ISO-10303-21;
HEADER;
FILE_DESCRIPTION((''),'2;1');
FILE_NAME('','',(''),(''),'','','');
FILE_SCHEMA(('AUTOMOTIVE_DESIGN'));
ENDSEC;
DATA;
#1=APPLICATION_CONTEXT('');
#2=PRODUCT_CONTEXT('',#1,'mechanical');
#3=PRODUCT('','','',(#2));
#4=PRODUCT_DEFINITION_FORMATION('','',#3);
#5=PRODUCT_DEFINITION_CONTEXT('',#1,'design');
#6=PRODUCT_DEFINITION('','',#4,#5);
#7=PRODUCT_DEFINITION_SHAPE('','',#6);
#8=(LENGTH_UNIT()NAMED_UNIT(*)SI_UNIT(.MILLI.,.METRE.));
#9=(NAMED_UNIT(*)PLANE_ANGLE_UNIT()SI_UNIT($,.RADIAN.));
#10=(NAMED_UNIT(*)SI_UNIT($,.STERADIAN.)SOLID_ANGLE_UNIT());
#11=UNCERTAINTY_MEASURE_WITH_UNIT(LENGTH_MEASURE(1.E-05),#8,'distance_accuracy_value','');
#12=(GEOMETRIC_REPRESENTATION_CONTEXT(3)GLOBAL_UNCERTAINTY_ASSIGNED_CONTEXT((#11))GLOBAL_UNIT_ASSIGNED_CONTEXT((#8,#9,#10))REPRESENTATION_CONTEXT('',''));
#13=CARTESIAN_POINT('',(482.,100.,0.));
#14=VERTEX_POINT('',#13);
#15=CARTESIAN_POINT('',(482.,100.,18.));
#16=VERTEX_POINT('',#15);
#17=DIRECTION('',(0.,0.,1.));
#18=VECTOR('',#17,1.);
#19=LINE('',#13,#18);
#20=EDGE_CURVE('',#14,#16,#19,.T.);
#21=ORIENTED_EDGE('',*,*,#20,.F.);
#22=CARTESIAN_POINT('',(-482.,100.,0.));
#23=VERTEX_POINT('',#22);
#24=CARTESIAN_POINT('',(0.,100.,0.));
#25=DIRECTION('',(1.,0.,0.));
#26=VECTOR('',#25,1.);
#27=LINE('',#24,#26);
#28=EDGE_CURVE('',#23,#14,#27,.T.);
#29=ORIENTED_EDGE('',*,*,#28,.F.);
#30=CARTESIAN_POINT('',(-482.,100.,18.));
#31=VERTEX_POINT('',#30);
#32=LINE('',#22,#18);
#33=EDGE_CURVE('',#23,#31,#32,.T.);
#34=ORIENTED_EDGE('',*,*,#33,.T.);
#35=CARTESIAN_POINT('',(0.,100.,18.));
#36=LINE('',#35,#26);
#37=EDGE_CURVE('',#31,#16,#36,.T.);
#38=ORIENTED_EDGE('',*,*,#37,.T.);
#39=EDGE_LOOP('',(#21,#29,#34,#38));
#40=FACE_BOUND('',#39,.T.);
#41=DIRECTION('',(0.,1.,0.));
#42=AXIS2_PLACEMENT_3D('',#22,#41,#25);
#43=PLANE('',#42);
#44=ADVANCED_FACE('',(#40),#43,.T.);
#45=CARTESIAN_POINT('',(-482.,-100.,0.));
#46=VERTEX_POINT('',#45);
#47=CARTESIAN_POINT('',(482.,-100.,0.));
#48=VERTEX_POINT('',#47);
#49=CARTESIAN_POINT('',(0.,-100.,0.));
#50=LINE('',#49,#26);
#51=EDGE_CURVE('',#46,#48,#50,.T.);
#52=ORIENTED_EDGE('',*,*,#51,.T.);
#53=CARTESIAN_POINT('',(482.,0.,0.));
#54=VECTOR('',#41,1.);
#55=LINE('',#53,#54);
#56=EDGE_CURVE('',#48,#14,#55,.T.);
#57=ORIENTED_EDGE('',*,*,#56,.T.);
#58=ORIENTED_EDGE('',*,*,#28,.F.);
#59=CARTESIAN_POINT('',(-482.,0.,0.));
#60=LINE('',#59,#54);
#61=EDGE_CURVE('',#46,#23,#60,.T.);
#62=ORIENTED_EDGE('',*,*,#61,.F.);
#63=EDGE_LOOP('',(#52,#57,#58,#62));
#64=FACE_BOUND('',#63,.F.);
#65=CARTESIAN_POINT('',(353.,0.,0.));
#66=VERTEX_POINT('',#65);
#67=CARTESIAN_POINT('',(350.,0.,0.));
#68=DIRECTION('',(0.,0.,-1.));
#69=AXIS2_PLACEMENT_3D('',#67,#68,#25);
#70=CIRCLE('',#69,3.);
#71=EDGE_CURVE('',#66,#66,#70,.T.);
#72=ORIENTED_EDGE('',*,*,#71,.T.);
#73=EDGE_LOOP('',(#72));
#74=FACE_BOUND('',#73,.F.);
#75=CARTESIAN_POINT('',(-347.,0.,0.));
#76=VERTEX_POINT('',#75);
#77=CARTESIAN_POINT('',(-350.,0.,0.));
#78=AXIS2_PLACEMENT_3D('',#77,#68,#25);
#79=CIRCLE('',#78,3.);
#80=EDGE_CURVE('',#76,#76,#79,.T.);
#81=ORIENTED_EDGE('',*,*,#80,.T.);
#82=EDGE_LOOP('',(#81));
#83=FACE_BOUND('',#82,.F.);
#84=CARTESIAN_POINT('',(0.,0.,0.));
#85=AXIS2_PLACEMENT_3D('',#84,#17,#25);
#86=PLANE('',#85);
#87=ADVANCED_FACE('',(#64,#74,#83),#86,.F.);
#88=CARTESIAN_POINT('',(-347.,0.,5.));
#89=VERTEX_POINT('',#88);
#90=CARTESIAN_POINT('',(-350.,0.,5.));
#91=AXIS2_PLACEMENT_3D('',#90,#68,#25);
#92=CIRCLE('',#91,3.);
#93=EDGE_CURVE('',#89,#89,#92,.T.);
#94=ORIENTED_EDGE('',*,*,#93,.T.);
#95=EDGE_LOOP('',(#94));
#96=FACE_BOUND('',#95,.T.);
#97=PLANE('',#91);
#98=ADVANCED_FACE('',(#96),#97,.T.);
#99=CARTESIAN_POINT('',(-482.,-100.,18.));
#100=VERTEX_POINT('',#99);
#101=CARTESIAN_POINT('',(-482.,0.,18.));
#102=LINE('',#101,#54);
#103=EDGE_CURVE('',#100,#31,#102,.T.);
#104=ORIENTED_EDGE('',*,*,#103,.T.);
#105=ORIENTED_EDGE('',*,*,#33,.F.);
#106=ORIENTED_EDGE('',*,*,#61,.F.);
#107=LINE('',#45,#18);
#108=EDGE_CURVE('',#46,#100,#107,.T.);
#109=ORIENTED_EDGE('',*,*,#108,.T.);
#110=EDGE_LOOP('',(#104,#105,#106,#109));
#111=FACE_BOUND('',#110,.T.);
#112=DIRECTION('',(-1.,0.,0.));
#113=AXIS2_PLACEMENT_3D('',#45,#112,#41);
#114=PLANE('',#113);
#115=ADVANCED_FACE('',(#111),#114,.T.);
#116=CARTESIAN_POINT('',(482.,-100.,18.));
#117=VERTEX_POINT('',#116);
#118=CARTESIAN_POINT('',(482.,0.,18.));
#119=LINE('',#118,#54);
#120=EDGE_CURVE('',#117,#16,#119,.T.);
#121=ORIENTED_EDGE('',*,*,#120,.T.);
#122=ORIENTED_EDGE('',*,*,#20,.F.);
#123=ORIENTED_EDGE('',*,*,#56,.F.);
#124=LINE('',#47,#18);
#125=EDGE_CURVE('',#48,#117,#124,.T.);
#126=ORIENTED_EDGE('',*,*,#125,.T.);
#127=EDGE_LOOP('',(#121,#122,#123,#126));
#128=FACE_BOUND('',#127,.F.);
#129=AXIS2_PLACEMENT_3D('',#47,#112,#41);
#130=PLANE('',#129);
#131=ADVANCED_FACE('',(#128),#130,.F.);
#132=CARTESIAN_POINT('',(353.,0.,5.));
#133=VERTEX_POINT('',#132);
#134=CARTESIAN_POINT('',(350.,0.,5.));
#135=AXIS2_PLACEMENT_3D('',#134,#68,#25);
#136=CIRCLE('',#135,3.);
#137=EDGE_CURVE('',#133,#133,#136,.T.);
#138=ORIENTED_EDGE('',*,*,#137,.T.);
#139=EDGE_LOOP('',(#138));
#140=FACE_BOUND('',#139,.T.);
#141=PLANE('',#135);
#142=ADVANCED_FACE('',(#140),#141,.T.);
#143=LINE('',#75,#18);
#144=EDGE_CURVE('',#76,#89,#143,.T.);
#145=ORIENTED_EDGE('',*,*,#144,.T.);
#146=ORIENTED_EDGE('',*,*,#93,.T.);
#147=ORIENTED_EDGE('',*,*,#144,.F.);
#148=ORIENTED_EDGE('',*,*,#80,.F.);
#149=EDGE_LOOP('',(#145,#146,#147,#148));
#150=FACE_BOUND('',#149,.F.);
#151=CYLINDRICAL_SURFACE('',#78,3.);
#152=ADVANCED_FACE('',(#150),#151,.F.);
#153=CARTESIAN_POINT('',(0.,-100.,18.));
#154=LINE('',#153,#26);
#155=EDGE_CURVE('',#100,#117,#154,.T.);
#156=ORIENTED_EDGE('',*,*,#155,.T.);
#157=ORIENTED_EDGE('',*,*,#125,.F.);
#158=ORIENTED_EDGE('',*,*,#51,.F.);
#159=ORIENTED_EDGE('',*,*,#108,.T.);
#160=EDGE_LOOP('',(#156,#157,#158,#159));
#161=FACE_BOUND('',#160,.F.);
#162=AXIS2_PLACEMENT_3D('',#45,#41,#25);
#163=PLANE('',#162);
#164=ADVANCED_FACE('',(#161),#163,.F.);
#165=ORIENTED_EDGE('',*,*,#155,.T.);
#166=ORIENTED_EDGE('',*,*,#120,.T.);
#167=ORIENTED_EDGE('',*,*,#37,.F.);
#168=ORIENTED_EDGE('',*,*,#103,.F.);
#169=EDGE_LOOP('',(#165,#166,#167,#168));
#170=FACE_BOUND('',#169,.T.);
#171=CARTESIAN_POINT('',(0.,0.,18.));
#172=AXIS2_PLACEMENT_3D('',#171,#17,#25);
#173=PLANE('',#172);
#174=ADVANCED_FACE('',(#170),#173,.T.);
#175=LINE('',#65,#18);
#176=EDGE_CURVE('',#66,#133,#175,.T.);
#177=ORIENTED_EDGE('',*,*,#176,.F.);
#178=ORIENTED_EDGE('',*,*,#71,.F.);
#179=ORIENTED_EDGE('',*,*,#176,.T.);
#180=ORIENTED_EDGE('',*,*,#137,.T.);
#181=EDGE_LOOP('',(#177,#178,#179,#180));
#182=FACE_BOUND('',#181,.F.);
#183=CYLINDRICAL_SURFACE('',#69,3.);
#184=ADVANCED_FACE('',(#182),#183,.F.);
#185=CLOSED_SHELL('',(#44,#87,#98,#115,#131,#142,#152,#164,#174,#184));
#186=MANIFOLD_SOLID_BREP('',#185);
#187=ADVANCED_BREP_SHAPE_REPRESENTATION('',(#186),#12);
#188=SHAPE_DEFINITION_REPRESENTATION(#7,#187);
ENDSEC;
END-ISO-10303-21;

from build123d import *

# Parameters (mm, degrees)
F0_W     = 964
F0_H     = 200
F1_DEPTH = 18
F2_R     = 3
F3_DEPTH = 5


with BuildPart() as f1:
    # F0 (on Top) → F1 (new body)
    with BuildSketch(Plane.XY):
        Rectangle(F0_W, F0_H)
    extrude(amount=F1_DEPTH)

    # F2 (on face) → F3 (cut)
    with BuildSketch(Plane(origin=(0, 0, 0), x_dir=(1, 0, 0), z_dir=(0, 0, -1))):
        with Locations((-350, 0)):
            Circle(F2_R)
        with Locations((350, 0)):
            Circle(F2_R)
    extrude(amount=-F3_DEPTH, mode=Mode.SUBTRACT)


solid = f1.part
